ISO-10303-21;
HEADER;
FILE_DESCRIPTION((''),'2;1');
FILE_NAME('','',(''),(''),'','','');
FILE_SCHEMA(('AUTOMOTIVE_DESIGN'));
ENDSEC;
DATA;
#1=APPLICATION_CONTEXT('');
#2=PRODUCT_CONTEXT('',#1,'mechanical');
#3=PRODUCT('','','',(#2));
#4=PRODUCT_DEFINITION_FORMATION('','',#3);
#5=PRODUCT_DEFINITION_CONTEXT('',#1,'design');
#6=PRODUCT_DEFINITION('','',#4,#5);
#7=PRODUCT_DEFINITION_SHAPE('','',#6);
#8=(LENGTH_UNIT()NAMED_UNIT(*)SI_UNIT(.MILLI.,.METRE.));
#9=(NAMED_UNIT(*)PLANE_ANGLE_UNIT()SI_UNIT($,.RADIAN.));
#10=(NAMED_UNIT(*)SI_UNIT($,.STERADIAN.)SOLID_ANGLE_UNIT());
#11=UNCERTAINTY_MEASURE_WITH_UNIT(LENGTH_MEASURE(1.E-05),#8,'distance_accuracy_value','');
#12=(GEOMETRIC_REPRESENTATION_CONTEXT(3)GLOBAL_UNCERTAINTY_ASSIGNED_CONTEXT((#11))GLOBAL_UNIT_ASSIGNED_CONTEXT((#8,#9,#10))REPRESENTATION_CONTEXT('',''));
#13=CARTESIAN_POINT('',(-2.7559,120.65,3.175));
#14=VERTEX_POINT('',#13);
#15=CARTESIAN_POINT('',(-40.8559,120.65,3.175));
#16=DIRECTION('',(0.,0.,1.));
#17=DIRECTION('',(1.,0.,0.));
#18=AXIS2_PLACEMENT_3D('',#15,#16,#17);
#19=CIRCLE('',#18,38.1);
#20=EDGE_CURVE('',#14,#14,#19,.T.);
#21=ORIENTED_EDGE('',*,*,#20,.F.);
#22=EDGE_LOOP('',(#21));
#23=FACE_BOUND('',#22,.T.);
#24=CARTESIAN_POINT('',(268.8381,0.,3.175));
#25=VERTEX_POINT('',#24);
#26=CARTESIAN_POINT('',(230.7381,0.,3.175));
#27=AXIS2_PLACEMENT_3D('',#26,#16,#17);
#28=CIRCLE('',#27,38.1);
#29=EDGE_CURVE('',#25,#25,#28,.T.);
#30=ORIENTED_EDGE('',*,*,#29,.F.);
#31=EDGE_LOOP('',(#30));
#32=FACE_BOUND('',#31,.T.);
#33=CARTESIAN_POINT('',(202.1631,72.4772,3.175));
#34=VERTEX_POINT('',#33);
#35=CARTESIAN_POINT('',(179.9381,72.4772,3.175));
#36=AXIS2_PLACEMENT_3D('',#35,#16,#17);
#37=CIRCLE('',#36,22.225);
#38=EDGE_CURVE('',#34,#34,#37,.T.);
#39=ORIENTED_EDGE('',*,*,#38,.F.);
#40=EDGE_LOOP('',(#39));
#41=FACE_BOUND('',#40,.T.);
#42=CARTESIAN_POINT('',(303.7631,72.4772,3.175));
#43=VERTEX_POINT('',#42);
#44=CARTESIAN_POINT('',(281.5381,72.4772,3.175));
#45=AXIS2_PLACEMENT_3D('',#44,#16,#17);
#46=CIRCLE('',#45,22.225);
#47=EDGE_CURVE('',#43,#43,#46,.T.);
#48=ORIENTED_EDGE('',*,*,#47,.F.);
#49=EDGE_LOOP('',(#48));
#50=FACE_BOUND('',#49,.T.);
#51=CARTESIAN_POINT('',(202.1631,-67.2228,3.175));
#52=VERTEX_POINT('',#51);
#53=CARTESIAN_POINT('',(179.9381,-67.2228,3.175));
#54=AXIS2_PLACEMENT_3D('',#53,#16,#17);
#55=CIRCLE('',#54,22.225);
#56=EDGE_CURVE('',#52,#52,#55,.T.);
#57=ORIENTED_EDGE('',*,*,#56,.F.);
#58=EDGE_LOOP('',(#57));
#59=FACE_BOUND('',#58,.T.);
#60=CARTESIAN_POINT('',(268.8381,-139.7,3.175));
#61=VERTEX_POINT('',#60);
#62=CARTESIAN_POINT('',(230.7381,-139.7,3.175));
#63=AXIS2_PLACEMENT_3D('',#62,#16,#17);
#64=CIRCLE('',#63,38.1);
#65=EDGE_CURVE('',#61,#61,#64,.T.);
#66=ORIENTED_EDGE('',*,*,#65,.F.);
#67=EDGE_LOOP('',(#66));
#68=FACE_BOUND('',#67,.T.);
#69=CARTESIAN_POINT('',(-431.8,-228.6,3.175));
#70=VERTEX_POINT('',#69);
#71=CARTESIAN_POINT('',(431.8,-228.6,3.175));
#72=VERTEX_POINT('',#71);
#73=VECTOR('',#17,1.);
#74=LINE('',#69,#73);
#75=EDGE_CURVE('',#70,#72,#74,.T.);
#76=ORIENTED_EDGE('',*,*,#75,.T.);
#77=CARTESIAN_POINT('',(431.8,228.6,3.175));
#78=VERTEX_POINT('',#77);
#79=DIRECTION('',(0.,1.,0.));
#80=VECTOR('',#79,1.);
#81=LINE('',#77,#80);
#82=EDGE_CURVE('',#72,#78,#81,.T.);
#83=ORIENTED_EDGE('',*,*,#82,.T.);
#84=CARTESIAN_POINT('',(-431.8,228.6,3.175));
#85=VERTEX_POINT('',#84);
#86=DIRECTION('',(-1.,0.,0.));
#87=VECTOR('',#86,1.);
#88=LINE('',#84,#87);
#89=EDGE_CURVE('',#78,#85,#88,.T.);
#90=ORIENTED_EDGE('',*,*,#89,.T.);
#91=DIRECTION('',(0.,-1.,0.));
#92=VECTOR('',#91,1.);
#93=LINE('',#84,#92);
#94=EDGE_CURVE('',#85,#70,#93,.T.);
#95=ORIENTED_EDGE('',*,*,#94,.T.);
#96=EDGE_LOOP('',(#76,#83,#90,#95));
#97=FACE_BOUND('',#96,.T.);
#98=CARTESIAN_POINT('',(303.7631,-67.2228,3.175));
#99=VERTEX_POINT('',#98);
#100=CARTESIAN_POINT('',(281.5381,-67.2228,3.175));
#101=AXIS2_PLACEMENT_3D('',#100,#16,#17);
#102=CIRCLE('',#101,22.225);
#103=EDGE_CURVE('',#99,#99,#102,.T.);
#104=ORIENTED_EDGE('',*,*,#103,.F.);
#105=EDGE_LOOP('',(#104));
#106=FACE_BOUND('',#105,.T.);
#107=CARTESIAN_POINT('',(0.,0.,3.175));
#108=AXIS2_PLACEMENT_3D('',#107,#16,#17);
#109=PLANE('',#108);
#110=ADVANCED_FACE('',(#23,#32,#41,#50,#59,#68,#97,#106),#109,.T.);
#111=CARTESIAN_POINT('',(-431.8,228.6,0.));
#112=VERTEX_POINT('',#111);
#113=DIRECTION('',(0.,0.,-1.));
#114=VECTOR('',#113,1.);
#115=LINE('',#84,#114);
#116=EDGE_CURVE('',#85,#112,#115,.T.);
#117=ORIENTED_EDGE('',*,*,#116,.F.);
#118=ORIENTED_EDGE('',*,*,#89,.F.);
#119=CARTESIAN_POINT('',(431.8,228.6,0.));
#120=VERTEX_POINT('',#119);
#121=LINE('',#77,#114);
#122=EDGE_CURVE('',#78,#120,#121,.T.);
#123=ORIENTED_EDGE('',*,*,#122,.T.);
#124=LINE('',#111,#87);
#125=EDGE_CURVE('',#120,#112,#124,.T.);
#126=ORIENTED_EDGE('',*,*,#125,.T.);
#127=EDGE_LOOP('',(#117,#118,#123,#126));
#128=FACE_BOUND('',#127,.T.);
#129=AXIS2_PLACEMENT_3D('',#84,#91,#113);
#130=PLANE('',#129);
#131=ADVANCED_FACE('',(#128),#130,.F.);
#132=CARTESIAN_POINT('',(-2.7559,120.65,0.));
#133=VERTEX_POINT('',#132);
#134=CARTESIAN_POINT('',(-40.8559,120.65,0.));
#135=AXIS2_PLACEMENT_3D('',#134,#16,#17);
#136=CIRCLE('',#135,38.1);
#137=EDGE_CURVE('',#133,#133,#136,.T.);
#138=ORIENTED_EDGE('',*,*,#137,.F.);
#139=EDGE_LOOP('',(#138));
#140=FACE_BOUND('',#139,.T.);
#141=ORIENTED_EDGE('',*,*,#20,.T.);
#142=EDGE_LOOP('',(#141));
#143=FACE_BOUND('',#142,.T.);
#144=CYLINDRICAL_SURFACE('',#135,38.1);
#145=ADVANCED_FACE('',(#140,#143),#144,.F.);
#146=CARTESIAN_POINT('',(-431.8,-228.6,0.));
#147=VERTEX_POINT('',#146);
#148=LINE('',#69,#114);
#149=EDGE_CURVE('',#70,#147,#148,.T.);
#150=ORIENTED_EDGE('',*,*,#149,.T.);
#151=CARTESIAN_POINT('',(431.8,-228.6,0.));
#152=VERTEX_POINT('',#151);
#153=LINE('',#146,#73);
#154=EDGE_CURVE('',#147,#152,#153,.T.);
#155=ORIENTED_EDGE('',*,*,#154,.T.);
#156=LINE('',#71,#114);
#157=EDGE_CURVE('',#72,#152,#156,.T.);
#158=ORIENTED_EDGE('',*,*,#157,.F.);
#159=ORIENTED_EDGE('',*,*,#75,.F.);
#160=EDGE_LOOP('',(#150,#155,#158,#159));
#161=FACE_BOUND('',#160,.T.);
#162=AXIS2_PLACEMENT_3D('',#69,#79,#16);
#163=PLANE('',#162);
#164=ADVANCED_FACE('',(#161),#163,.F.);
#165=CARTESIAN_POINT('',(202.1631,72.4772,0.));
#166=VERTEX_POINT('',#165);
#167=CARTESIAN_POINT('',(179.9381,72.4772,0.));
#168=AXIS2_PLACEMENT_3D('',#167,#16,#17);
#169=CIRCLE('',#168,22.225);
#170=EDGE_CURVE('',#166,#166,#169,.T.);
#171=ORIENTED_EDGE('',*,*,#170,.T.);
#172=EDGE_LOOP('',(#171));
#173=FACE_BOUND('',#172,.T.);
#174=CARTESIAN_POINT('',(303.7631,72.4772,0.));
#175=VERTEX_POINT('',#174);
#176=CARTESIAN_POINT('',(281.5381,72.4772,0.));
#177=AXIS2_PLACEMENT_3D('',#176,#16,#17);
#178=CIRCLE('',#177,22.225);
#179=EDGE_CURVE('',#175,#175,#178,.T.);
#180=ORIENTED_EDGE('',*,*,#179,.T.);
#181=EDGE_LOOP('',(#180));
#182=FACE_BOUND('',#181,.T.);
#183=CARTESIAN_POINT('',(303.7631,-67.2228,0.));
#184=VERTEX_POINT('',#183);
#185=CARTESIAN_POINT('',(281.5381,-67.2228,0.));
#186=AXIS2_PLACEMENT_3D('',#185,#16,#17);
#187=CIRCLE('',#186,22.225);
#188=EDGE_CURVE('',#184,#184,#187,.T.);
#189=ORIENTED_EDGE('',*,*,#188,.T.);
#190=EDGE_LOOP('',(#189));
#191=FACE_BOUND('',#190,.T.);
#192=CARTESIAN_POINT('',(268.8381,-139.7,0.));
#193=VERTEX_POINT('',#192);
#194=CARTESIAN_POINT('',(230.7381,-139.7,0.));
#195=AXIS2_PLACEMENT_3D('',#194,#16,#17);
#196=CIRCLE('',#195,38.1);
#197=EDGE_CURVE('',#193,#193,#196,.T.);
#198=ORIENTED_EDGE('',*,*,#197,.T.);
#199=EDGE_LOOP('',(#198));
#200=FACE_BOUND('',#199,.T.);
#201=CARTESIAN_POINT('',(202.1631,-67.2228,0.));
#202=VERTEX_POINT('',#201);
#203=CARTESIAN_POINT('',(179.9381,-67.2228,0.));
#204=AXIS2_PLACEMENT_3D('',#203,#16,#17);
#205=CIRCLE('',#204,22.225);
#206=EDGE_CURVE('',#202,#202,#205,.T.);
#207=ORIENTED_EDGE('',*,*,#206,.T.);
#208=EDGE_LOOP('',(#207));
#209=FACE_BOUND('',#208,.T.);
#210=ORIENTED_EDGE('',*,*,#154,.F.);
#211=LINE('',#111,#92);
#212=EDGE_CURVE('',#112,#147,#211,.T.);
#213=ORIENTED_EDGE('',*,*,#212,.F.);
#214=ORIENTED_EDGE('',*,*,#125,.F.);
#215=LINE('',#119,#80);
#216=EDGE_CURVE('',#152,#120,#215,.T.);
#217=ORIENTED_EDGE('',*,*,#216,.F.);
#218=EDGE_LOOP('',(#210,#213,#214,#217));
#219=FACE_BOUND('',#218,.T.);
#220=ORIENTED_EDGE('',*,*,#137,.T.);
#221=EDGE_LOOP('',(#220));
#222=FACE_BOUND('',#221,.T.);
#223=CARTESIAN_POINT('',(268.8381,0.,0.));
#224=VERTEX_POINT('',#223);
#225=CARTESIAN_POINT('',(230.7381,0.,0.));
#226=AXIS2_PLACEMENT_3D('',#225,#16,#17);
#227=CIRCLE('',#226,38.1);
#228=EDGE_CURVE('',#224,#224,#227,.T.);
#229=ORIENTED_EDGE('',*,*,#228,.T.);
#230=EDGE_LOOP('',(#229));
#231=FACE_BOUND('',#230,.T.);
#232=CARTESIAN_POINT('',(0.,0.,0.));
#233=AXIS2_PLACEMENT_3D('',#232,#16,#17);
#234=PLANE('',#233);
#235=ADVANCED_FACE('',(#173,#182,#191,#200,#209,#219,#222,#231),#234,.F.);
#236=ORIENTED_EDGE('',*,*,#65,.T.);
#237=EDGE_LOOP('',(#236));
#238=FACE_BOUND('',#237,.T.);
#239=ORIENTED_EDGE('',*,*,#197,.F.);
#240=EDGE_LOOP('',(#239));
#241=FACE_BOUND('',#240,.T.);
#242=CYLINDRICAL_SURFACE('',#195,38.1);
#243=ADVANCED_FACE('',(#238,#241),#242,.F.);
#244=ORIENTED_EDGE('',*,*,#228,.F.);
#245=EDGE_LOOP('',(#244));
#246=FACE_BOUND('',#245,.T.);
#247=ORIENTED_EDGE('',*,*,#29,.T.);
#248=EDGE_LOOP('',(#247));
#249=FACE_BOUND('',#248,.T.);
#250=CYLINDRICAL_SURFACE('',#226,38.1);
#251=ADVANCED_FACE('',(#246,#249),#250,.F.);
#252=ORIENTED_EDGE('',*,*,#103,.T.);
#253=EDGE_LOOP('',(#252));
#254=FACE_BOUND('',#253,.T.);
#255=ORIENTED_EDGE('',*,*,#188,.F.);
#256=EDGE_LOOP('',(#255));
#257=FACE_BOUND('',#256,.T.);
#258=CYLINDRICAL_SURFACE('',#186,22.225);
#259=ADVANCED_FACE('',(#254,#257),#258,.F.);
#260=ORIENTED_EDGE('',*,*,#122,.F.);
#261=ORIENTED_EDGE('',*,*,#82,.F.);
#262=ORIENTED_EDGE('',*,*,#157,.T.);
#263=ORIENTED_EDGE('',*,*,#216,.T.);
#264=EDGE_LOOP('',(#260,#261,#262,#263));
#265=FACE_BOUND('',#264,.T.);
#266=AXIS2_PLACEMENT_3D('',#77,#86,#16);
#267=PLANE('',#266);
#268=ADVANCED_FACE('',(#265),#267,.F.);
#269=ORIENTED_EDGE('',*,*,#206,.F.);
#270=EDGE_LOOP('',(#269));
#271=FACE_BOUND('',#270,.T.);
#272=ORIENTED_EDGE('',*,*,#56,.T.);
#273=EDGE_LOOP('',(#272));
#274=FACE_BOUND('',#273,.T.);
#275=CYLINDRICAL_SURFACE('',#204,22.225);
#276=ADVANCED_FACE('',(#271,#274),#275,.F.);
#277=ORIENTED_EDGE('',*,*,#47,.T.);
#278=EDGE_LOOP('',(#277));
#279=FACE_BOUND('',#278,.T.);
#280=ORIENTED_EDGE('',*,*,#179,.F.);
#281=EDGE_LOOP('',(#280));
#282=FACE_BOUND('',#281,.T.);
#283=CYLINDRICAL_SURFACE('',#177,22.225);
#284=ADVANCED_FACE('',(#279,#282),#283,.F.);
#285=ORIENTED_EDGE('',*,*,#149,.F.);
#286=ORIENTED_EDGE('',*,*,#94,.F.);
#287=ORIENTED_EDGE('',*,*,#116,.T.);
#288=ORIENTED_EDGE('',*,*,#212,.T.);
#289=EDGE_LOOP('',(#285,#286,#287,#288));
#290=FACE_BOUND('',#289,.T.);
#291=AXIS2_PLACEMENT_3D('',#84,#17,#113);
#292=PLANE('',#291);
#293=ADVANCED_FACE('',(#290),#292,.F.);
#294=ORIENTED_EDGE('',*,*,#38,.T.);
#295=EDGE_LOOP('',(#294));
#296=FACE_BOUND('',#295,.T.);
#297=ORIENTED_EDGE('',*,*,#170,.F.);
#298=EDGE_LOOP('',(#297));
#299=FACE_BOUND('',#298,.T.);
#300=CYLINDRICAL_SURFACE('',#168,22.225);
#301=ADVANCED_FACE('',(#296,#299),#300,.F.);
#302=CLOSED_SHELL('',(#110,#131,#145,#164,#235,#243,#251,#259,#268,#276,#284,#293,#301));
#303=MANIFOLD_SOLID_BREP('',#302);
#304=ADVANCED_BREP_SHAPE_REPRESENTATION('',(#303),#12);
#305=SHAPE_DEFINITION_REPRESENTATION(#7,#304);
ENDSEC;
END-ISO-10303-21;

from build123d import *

# Parameters (mm, degrees)
SKETCH1_W           = 863.6
SKETCH1_H           = 457.2
BOSS_EXTRUDE1_DEPTH = 3.175
SKETCH2_R           = 38.1
SKETCH2_R_2         = 22.225
CUT_EXTRUDE1_DEPTH  = 489.589071332


with BuildPart() as part:
    # Sketch1 → Boss-Extrude1 (new body)
    with BuildSketch(Plane.XY):
        Rectangle(SKETCH1_W, SKETCH1_H)
    extrude(amount=BOSS_EXTRUDE1_DEPTH)

    # Sketch2 → Cut-Extrude1 (cut, through all)
    with BuildSketch(Plane.XY.offset(3.175)):
        with Locations((230.738100004, 0)):
            Circle(SKETCH2_R)
        with Locations((230.738100004, -139.7)):
            Circle(SKETCH2_R)
        with Locations((179.938100004, -67.222799997)):
            Circle(SKETCH2_R_2)
        with Locations((281.538100004, -67.222799997)):
            Circle(SKETCH2_R_2)
        with Locations((179.938100004, 72.477200003)):
            Circle(SKETCH2_R_2)
        with Locations((281.538100004, 72.477200003)):
            Circle(SKETCH2_R_2)
        with Locations((-40.855899988, 120.65)):
            Circle(SKETCH2_R)
    extrude(amount=-CUT_EXTRUDE1_DEPTH, mode=Mode.SUBTRACT)


solid = part.part
